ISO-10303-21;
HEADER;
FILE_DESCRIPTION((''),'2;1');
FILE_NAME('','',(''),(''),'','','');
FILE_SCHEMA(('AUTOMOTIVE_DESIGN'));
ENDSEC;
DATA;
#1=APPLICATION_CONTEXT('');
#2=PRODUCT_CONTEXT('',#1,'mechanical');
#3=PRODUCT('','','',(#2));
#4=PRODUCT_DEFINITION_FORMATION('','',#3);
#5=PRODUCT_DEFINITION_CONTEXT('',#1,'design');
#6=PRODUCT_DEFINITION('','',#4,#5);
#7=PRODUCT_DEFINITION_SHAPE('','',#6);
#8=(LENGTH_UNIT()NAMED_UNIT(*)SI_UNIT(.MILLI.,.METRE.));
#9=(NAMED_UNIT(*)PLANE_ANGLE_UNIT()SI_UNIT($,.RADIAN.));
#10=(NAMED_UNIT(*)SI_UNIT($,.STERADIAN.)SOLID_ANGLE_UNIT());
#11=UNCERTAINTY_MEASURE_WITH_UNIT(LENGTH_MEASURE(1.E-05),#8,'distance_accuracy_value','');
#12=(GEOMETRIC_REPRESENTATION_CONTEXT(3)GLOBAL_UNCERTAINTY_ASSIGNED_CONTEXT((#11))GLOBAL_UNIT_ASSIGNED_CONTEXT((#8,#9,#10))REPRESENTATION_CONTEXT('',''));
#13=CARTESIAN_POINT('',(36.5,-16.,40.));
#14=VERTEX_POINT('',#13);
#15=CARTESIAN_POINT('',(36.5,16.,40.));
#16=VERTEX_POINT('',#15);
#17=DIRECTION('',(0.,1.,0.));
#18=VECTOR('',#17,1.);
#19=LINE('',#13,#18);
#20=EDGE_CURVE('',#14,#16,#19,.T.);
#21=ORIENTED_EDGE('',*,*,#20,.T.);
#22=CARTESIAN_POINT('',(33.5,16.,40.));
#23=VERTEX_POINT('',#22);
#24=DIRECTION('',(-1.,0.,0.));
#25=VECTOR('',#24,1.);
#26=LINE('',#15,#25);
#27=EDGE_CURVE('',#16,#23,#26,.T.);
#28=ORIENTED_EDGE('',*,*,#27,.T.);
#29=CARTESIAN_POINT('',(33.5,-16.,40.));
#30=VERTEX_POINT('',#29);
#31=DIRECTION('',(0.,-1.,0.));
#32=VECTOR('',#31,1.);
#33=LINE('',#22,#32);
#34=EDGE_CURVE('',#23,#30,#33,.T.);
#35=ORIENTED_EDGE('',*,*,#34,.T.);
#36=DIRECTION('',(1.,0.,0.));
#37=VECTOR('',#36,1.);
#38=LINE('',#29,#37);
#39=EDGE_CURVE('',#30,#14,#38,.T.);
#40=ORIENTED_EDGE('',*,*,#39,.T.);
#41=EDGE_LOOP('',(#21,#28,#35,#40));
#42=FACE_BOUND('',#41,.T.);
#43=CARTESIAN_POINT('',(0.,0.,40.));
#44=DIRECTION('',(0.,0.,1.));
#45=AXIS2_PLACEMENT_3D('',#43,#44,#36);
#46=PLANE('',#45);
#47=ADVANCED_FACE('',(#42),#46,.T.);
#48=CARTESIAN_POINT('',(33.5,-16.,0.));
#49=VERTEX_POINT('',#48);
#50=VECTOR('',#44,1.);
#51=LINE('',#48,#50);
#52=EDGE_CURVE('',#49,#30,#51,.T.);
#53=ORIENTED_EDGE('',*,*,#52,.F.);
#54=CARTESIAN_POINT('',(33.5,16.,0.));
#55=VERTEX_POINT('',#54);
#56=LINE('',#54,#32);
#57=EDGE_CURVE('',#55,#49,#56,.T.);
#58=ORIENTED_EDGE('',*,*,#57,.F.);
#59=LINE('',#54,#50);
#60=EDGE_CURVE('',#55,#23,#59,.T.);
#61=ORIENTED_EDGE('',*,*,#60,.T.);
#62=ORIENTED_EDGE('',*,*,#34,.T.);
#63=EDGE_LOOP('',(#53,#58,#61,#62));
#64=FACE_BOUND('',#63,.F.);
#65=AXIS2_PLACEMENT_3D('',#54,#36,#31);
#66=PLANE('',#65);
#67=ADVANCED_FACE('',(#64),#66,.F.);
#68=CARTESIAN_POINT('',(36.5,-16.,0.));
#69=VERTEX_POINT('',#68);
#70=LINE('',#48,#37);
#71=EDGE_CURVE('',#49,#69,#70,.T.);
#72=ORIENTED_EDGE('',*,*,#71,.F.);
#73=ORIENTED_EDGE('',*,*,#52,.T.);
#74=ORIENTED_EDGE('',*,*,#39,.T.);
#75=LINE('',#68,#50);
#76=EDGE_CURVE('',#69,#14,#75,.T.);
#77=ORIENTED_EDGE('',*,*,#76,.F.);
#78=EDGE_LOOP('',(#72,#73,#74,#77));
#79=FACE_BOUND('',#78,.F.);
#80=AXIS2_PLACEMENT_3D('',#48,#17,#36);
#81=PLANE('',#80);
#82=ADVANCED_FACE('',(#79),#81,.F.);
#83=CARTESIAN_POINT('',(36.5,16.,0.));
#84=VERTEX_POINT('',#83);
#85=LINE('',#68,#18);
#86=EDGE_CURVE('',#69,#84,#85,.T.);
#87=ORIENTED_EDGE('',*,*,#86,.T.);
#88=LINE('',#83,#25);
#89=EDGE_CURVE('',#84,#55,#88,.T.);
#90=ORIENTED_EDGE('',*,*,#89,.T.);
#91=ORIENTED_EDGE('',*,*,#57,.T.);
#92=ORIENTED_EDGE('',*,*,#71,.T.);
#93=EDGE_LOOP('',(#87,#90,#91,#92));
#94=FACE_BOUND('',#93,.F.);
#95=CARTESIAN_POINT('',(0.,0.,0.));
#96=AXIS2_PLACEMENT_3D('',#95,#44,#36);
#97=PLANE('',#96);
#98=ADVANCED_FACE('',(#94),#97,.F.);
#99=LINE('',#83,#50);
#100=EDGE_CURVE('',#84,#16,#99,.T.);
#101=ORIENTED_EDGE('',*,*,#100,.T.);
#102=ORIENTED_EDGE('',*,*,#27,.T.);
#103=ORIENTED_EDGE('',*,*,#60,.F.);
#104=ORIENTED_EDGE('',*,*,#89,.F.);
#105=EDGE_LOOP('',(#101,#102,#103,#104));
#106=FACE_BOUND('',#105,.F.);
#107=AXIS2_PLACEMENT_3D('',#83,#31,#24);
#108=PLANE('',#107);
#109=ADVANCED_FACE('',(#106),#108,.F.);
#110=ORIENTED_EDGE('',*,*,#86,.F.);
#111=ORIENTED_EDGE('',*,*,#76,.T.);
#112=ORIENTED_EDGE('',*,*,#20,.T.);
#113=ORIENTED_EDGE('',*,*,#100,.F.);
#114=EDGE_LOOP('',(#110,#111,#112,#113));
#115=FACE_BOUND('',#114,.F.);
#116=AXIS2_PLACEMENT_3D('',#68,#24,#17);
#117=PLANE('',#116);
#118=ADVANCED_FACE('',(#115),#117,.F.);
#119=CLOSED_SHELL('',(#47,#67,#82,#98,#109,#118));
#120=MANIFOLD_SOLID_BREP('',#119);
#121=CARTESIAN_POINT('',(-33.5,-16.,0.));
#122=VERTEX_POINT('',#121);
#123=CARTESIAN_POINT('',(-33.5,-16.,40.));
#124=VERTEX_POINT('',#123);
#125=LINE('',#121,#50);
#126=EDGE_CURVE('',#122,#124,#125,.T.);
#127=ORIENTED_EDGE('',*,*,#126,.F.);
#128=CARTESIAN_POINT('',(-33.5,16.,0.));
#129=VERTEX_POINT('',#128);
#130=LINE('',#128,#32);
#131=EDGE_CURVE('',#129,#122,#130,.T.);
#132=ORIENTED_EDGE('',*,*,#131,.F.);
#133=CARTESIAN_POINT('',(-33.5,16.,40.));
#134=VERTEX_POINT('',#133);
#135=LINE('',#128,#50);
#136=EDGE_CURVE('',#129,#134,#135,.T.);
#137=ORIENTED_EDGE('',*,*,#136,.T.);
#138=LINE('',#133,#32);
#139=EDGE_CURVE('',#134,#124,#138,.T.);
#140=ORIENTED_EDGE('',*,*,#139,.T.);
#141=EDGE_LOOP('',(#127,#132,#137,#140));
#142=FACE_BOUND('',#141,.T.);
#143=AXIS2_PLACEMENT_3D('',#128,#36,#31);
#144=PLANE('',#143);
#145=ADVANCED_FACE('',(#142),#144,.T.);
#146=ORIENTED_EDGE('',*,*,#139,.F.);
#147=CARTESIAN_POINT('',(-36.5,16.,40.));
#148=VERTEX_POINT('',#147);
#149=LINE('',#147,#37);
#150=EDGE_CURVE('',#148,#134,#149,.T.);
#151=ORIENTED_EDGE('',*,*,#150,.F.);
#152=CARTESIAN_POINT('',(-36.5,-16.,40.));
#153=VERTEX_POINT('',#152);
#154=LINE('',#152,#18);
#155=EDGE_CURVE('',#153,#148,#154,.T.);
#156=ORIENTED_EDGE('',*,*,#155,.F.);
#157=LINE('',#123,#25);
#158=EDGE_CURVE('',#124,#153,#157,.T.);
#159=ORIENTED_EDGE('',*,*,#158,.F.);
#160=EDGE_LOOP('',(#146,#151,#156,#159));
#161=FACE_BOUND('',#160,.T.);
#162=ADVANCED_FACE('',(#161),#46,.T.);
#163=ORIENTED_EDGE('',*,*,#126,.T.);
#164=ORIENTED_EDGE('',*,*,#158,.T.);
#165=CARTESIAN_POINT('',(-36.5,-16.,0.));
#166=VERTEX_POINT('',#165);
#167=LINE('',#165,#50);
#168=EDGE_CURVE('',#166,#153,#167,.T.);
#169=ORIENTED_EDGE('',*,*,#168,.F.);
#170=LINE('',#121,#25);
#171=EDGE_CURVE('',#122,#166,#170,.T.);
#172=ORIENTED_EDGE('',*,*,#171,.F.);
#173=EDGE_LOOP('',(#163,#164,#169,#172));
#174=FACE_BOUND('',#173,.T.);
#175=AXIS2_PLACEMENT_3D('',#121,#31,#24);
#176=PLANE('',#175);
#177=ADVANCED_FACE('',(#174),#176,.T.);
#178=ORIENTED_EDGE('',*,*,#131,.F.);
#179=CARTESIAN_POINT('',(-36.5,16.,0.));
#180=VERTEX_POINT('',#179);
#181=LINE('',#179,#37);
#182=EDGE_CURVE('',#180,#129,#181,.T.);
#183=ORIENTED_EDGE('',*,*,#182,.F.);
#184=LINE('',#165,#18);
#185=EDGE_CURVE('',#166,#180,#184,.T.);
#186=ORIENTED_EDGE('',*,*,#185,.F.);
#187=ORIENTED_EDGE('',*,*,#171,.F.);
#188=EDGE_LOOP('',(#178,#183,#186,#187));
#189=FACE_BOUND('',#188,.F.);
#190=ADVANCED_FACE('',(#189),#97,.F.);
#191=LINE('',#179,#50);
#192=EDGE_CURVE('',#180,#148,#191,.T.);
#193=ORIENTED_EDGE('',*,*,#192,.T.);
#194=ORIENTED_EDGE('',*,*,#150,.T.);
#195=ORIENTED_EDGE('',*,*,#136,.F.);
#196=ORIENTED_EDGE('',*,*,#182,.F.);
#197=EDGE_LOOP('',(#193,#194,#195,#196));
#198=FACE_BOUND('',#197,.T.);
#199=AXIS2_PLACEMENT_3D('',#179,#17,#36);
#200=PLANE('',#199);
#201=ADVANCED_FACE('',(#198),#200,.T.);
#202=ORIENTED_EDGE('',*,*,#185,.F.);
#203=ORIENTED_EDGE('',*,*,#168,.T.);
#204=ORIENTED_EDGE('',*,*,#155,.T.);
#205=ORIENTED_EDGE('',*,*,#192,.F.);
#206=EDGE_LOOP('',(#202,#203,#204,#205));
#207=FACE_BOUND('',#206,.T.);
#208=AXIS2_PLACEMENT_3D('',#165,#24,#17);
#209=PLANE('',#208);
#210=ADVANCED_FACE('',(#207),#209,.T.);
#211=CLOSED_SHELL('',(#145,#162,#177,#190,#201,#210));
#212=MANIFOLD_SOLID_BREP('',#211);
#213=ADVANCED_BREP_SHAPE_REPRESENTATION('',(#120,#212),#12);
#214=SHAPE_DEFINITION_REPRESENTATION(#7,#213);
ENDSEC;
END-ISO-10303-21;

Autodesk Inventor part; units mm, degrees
ref_plane "YZ Plane" through (0, 0, 0) normal (1, 0, 0) x (0, 1, 0)
ref_plane "XZ Plane" through (0, 0, 0) normal (0, 1, 0) x (-1, 0, 0)
ref_plane "XY Plane" through (0, 0, 0) normal (0, 0, 1) x (1, 0, 0)
sketch "Sketch1" plane through (0, 0, 0) normal (0, 0, 1) x (1, 0, 0)
  line L0 (-36.5, 16) -> (36.5, 16) construction
  line L1 (-36.5, 16) -> (-33.5, 16)
  line L2 (-33.5, 16) -> (-33.5, -16)
  line L3 (-33.5, -16) -> (-36.5, -16)
  line L4 (-36.5, -16) -> (-36.5, 16)
  line L5 (0, 16) -> (0, -16) construction
  line L6 (36.5, 16) -> (33.5, 16)
  line L7 (33.5, 16) -> (33.5, -16)
  line L8 (33.5, -16) -> (36.5, -16)
  line L9 (36.5, -16) -> (36.5, 16)
  point P0 (0, 0)
  dimension "d0" = 73
  dimension "d1" = 3
  dimension "d2" = 32
  dimension "d3" = 16
extrude "Extrusion1" add sketch "Sketch1" along normal blind 40
equation "\"d0\" = Esla_Bas_Largo"
equation "\"d1\" = Esla_Bas_Espesor"
equation "\"d2\" = Esla_Bas_Ancho"
equation "\"Esla_Bas_Largo\" = 73"
equation "\"Esla_Bas_Espesor\" = 3"
equation "\"Esla_Bas_Ancho\" = 32"
properties part number "Eslabón2_Largo" material "Stainless Steel"
